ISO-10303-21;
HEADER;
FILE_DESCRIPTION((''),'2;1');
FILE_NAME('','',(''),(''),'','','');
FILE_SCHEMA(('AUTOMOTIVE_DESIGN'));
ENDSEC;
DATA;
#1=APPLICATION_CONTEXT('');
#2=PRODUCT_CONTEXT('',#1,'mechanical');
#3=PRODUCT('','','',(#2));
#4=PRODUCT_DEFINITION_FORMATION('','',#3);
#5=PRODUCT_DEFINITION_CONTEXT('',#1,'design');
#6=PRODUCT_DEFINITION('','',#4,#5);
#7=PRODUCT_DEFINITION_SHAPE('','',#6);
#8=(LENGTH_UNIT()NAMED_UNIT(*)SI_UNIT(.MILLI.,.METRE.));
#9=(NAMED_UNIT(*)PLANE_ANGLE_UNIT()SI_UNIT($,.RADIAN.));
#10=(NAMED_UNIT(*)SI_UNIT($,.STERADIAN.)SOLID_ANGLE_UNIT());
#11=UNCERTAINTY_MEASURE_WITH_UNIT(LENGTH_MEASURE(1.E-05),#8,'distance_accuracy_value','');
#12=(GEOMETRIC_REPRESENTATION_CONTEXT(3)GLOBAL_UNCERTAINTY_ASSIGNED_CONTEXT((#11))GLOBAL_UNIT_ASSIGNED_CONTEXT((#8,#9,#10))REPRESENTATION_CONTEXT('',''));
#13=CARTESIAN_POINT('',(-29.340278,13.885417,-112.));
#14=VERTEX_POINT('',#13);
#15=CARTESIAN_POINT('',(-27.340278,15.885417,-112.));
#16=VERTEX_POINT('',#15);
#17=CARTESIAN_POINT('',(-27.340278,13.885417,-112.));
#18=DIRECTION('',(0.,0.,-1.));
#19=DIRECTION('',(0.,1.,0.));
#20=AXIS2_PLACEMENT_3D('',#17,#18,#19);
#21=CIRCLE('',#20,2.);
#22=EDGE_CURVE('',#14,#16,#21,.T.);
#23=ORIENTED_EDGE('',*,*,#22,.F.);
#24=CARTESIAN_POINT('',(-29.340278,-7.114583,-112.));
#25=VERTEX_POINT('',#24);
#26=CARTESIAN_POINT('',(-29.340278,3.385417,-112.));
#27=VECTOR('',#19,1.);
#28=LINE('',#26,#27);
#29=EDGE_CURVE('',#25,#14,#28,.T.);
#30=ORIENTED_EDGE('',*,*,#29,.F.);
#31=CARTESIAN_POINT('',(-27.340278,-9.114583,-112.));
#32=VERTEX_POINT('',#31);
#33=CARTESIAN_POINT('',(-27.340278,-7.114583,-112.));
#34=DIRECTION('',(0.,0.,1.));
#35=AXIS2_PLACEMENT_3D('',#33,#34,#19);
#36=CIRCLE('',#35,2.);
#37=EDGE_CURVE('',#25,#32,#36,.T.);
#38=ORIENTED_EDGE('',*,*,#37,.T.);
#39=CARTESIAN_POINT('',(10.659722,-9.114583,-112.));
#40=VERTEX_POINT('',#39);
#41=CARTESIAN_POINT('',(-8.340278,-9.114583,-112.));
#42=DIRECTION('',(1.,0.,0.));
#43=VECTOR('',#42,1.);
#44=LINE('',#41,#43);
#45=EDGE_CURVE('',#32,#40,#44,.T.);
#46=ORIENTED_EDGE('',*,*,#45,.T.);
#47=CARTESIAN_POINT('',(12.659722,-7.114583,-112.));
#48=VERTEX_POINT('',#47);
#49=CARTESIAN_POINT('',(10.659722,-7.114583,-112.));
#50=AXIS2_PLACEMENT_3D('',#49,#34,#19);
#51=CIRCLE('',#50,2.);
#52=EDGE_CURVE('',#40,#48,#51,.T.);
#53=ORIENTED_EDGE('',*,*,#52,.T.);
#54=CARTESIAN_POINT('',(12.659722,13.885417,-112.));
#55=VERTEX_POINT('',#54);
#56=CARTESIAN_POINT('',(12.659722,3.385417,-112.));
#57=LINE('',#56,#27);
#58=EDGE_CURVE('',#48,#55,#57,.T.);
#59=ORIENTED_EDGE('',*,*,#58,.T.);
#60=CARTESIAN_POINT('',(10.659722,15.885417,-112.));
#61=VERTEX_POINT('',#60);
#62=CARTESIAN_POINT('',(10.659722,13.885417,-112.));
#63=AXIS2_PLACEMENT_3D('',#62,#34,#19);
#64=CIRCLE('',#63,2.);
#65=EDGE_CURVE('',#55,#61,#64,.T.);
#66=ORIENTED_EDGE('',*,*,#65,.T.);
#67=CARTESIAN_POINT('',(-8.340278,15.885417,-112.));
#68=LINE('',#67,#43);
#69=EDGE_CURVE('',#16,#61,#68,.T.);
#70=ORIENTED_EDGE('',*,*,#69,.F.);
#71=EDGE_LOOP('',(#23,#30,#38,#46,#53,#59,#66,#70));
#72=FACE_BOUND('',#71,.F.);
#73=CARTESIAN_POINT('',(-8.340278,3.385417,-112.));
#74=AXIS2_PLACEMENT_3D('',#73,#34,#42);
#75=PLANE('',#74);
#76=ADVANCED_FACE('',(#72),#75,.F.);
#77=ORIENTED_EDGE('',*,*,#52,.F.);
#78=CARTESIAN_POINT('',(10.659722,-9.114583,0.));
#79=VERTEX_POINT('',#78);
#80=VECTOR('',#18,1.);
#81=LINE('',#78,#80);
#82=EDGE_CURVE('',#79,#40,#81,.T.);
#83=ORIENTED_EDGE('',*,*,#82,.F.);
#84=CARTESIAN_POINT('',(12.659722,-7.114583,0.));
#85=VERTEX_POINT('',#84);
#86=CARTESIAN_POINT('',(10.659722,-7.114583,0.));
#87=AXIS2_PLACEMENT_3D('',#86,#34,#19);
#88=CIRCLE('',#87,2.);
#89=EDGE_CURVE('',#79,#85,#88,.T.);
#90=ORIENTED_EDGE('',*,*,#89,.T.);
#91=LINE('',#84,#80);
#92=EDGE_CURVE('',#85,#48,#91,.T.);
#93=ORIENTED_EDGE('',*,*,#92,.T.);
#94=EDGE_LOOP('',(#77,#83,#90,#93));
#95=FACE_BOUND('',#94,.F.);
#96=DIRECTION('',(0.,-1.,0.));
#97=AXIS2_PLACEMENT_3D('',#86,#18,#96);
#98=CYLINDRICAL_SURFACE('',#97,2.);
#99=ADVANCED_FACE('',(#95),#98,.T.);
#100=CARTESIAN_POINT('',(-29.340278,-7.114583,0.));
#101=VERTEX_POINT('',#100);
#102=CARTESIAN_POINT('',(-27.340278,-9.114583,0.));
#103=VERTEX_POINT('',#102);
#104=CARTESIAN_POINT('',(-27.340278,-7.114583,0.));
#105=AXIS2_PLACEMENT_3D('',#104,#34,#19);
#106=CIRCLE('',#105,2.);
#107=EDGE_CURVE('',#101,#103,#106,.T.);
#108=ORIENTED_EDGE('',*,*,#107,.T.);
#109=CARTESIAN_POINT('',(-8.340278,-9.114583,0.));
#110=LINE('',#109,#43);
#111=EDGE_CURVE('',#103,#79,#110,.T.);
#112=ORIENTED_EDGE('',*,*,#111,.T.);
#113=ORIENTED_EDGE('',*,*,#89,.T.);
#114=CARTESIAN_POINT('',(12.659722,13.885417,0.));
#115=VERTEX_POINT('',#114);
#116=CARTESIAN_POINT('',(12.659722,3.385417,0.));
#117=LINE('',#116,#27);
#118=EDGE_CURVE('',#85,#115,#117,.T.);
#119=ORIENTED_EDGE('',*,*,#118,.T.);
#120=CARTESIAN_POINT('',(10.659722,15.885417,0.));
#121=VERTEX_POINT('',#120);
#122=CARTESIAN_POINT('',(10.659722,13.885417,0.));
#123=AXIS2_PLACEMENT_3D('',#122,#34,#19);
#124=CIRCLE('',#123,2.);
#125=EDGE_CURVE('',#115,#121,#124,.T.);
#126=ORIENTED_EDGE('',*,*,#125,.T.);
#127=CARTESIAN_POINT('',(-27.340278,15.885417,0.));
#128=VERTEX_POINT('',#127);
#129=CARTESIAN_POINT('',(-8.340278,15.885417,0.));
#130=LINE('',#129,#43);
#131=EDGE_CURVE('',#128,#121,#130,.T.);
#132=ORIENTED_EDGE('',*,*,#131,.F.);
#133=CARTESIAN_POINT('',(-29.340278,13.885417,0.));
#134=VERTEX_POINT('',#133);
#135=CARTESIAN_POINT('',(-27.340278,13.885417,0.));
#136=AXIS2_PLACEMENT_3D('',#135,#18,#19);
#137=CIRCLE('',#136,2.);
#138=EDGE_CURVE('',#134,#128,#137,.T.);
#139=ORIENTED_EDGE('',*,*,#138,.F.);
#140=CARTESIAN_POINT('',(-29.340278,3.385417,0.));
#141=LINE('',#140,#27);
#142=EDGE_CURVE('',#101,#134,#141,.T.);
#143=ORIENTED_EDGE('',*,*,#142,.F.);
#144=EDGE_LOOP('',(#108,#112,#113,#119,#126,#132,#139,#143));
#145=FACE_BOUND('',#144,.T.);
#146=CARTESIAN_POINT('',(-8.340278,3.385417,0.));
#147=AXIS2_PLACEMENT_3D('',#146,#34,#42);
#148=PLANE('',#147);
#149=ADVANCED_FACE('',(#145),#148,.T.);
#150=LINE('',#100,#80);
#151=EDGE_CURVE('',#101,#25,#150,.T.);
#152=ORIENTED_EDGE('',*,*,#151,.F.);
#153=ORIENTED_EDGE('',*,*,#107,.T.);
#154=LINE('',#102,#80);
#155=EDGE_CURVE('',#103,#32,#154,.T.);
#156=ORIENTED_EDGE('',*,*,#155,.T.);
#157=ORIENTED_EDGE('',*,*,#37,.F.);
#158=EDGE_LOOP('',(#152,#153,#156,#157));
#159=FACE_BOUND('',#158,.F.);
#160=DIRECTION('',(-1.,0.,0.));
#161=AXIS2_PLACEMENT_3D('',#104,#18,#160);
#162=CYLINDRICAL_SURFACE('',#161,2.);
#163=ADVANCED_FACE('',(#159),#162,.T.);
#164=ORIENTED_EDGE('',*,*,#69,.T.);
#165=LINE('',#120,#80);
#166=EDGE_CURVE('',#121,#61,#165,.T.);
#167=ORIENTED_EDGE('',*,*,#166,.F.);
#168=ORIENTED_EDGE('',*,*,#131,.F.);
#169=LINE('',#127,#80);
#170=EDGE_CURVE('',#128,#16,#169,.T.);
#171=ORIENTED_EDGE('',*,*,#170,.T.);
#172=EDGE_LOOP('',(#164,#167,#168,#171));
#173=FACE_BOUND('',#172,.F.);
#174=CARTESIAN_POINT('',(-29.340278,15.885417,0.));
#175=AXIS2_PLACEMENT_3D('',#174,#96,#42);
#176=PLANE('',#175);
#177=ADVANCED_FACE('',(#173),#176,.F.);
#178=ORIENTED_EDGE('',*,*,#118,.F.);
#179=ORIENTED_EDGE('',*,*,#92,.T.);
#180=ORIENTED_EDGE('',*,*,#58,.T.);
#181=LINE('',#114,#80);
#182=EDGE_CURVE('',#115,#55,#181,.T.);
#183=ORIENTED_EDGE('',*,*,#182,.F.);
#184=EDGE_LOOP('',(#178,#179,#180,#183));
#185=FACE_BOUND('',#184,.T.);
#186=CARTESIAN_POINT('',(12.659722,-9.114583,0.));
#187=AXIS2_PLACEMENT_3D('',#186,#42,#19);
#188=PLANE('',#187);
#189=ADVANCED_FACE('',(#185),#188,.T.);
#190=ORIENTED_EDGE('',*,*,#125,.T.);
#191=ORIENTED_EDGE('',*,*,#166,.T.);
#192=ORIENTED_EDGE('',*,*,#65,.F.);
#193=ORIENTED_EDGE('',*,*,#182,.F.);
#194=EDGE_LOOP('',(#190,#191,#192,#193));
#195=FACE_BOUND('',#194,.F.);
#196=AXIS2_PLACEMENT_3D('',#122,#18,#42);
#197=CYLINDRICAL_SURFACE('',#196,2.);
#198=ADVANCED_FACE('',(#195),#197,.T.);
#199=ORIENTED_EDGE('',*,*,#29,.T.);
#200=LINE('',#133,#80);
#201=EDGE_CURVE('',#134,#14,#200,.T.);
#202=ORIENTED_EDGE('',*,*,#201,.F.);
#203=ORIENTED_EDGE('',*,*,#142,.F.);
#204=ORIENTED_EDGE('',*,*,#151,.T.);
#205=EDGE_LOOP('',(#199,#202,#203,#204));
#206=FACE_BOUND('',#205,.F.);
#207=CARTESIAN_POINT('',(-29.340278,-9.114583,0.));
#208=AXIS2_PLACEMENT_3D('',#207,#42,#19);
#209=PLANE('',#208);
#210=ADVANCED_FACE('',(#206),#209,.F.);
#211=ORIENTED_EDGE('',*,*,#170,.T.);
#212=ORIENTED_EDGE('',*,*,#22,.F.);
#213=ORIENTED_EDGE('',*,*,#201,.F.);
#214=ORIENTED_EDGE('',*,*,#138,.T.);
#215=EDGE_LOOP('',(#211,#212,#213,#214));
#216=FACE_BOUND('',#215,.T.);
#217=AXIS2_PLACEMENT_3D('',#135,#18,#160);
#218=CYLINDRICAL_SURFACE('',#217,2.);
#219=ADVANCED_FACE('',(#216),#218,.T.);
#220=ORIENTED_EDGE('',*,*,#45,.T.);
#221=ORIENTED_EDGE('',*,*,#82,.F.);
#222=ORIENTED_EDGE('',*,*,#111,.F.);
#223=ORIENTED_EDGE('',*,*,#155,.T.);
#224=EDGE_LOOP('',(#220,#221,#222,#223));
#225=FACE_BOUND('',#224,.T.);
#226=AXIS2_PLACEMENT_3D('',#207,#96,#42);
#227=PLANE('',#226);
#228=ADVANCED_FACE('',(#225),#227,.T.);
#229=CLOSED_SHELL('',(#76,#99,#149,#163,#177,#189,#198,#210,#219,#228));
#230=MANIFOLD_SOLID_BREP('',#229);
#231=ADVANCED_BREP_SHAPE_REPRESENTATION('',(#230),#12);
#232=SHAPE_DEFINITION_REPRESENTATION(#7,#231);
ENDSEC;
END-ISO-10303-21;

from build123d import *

# Parameters (mm, degrees)
SKETCH1_W           = 42
SKETCH1_H           = 25
BOSS_EXTRUDE1_DEPTH = 112
FILLET1_R           = 2


with BuildPart() as part:
    # Sketch1 → Boss-Extrude1 (new body)
    with BuildSketch(Plane.XY):
        with Locations((-8.340277778, 3.385416667)):
            Rectangle(SKETCH1_W, SKETCH1_H)
    extrude(amount=-BOSS_EXTRUDE1_DEPTH)

    # Fillet1
    fillet1_edges = [part.edges().sort_by_distance(p)[0] for p in [
        (-29.340277778, 15.885416667, -56),
        (12.659722222, 15.885416667, -56),
        (12.659722222, -9.114583333, -56),
        (-29.340277778, -9.114583333, -56),
    ]]
    fillet(fillet1_edges, radius=FILLET1_R)


solid = part.part
